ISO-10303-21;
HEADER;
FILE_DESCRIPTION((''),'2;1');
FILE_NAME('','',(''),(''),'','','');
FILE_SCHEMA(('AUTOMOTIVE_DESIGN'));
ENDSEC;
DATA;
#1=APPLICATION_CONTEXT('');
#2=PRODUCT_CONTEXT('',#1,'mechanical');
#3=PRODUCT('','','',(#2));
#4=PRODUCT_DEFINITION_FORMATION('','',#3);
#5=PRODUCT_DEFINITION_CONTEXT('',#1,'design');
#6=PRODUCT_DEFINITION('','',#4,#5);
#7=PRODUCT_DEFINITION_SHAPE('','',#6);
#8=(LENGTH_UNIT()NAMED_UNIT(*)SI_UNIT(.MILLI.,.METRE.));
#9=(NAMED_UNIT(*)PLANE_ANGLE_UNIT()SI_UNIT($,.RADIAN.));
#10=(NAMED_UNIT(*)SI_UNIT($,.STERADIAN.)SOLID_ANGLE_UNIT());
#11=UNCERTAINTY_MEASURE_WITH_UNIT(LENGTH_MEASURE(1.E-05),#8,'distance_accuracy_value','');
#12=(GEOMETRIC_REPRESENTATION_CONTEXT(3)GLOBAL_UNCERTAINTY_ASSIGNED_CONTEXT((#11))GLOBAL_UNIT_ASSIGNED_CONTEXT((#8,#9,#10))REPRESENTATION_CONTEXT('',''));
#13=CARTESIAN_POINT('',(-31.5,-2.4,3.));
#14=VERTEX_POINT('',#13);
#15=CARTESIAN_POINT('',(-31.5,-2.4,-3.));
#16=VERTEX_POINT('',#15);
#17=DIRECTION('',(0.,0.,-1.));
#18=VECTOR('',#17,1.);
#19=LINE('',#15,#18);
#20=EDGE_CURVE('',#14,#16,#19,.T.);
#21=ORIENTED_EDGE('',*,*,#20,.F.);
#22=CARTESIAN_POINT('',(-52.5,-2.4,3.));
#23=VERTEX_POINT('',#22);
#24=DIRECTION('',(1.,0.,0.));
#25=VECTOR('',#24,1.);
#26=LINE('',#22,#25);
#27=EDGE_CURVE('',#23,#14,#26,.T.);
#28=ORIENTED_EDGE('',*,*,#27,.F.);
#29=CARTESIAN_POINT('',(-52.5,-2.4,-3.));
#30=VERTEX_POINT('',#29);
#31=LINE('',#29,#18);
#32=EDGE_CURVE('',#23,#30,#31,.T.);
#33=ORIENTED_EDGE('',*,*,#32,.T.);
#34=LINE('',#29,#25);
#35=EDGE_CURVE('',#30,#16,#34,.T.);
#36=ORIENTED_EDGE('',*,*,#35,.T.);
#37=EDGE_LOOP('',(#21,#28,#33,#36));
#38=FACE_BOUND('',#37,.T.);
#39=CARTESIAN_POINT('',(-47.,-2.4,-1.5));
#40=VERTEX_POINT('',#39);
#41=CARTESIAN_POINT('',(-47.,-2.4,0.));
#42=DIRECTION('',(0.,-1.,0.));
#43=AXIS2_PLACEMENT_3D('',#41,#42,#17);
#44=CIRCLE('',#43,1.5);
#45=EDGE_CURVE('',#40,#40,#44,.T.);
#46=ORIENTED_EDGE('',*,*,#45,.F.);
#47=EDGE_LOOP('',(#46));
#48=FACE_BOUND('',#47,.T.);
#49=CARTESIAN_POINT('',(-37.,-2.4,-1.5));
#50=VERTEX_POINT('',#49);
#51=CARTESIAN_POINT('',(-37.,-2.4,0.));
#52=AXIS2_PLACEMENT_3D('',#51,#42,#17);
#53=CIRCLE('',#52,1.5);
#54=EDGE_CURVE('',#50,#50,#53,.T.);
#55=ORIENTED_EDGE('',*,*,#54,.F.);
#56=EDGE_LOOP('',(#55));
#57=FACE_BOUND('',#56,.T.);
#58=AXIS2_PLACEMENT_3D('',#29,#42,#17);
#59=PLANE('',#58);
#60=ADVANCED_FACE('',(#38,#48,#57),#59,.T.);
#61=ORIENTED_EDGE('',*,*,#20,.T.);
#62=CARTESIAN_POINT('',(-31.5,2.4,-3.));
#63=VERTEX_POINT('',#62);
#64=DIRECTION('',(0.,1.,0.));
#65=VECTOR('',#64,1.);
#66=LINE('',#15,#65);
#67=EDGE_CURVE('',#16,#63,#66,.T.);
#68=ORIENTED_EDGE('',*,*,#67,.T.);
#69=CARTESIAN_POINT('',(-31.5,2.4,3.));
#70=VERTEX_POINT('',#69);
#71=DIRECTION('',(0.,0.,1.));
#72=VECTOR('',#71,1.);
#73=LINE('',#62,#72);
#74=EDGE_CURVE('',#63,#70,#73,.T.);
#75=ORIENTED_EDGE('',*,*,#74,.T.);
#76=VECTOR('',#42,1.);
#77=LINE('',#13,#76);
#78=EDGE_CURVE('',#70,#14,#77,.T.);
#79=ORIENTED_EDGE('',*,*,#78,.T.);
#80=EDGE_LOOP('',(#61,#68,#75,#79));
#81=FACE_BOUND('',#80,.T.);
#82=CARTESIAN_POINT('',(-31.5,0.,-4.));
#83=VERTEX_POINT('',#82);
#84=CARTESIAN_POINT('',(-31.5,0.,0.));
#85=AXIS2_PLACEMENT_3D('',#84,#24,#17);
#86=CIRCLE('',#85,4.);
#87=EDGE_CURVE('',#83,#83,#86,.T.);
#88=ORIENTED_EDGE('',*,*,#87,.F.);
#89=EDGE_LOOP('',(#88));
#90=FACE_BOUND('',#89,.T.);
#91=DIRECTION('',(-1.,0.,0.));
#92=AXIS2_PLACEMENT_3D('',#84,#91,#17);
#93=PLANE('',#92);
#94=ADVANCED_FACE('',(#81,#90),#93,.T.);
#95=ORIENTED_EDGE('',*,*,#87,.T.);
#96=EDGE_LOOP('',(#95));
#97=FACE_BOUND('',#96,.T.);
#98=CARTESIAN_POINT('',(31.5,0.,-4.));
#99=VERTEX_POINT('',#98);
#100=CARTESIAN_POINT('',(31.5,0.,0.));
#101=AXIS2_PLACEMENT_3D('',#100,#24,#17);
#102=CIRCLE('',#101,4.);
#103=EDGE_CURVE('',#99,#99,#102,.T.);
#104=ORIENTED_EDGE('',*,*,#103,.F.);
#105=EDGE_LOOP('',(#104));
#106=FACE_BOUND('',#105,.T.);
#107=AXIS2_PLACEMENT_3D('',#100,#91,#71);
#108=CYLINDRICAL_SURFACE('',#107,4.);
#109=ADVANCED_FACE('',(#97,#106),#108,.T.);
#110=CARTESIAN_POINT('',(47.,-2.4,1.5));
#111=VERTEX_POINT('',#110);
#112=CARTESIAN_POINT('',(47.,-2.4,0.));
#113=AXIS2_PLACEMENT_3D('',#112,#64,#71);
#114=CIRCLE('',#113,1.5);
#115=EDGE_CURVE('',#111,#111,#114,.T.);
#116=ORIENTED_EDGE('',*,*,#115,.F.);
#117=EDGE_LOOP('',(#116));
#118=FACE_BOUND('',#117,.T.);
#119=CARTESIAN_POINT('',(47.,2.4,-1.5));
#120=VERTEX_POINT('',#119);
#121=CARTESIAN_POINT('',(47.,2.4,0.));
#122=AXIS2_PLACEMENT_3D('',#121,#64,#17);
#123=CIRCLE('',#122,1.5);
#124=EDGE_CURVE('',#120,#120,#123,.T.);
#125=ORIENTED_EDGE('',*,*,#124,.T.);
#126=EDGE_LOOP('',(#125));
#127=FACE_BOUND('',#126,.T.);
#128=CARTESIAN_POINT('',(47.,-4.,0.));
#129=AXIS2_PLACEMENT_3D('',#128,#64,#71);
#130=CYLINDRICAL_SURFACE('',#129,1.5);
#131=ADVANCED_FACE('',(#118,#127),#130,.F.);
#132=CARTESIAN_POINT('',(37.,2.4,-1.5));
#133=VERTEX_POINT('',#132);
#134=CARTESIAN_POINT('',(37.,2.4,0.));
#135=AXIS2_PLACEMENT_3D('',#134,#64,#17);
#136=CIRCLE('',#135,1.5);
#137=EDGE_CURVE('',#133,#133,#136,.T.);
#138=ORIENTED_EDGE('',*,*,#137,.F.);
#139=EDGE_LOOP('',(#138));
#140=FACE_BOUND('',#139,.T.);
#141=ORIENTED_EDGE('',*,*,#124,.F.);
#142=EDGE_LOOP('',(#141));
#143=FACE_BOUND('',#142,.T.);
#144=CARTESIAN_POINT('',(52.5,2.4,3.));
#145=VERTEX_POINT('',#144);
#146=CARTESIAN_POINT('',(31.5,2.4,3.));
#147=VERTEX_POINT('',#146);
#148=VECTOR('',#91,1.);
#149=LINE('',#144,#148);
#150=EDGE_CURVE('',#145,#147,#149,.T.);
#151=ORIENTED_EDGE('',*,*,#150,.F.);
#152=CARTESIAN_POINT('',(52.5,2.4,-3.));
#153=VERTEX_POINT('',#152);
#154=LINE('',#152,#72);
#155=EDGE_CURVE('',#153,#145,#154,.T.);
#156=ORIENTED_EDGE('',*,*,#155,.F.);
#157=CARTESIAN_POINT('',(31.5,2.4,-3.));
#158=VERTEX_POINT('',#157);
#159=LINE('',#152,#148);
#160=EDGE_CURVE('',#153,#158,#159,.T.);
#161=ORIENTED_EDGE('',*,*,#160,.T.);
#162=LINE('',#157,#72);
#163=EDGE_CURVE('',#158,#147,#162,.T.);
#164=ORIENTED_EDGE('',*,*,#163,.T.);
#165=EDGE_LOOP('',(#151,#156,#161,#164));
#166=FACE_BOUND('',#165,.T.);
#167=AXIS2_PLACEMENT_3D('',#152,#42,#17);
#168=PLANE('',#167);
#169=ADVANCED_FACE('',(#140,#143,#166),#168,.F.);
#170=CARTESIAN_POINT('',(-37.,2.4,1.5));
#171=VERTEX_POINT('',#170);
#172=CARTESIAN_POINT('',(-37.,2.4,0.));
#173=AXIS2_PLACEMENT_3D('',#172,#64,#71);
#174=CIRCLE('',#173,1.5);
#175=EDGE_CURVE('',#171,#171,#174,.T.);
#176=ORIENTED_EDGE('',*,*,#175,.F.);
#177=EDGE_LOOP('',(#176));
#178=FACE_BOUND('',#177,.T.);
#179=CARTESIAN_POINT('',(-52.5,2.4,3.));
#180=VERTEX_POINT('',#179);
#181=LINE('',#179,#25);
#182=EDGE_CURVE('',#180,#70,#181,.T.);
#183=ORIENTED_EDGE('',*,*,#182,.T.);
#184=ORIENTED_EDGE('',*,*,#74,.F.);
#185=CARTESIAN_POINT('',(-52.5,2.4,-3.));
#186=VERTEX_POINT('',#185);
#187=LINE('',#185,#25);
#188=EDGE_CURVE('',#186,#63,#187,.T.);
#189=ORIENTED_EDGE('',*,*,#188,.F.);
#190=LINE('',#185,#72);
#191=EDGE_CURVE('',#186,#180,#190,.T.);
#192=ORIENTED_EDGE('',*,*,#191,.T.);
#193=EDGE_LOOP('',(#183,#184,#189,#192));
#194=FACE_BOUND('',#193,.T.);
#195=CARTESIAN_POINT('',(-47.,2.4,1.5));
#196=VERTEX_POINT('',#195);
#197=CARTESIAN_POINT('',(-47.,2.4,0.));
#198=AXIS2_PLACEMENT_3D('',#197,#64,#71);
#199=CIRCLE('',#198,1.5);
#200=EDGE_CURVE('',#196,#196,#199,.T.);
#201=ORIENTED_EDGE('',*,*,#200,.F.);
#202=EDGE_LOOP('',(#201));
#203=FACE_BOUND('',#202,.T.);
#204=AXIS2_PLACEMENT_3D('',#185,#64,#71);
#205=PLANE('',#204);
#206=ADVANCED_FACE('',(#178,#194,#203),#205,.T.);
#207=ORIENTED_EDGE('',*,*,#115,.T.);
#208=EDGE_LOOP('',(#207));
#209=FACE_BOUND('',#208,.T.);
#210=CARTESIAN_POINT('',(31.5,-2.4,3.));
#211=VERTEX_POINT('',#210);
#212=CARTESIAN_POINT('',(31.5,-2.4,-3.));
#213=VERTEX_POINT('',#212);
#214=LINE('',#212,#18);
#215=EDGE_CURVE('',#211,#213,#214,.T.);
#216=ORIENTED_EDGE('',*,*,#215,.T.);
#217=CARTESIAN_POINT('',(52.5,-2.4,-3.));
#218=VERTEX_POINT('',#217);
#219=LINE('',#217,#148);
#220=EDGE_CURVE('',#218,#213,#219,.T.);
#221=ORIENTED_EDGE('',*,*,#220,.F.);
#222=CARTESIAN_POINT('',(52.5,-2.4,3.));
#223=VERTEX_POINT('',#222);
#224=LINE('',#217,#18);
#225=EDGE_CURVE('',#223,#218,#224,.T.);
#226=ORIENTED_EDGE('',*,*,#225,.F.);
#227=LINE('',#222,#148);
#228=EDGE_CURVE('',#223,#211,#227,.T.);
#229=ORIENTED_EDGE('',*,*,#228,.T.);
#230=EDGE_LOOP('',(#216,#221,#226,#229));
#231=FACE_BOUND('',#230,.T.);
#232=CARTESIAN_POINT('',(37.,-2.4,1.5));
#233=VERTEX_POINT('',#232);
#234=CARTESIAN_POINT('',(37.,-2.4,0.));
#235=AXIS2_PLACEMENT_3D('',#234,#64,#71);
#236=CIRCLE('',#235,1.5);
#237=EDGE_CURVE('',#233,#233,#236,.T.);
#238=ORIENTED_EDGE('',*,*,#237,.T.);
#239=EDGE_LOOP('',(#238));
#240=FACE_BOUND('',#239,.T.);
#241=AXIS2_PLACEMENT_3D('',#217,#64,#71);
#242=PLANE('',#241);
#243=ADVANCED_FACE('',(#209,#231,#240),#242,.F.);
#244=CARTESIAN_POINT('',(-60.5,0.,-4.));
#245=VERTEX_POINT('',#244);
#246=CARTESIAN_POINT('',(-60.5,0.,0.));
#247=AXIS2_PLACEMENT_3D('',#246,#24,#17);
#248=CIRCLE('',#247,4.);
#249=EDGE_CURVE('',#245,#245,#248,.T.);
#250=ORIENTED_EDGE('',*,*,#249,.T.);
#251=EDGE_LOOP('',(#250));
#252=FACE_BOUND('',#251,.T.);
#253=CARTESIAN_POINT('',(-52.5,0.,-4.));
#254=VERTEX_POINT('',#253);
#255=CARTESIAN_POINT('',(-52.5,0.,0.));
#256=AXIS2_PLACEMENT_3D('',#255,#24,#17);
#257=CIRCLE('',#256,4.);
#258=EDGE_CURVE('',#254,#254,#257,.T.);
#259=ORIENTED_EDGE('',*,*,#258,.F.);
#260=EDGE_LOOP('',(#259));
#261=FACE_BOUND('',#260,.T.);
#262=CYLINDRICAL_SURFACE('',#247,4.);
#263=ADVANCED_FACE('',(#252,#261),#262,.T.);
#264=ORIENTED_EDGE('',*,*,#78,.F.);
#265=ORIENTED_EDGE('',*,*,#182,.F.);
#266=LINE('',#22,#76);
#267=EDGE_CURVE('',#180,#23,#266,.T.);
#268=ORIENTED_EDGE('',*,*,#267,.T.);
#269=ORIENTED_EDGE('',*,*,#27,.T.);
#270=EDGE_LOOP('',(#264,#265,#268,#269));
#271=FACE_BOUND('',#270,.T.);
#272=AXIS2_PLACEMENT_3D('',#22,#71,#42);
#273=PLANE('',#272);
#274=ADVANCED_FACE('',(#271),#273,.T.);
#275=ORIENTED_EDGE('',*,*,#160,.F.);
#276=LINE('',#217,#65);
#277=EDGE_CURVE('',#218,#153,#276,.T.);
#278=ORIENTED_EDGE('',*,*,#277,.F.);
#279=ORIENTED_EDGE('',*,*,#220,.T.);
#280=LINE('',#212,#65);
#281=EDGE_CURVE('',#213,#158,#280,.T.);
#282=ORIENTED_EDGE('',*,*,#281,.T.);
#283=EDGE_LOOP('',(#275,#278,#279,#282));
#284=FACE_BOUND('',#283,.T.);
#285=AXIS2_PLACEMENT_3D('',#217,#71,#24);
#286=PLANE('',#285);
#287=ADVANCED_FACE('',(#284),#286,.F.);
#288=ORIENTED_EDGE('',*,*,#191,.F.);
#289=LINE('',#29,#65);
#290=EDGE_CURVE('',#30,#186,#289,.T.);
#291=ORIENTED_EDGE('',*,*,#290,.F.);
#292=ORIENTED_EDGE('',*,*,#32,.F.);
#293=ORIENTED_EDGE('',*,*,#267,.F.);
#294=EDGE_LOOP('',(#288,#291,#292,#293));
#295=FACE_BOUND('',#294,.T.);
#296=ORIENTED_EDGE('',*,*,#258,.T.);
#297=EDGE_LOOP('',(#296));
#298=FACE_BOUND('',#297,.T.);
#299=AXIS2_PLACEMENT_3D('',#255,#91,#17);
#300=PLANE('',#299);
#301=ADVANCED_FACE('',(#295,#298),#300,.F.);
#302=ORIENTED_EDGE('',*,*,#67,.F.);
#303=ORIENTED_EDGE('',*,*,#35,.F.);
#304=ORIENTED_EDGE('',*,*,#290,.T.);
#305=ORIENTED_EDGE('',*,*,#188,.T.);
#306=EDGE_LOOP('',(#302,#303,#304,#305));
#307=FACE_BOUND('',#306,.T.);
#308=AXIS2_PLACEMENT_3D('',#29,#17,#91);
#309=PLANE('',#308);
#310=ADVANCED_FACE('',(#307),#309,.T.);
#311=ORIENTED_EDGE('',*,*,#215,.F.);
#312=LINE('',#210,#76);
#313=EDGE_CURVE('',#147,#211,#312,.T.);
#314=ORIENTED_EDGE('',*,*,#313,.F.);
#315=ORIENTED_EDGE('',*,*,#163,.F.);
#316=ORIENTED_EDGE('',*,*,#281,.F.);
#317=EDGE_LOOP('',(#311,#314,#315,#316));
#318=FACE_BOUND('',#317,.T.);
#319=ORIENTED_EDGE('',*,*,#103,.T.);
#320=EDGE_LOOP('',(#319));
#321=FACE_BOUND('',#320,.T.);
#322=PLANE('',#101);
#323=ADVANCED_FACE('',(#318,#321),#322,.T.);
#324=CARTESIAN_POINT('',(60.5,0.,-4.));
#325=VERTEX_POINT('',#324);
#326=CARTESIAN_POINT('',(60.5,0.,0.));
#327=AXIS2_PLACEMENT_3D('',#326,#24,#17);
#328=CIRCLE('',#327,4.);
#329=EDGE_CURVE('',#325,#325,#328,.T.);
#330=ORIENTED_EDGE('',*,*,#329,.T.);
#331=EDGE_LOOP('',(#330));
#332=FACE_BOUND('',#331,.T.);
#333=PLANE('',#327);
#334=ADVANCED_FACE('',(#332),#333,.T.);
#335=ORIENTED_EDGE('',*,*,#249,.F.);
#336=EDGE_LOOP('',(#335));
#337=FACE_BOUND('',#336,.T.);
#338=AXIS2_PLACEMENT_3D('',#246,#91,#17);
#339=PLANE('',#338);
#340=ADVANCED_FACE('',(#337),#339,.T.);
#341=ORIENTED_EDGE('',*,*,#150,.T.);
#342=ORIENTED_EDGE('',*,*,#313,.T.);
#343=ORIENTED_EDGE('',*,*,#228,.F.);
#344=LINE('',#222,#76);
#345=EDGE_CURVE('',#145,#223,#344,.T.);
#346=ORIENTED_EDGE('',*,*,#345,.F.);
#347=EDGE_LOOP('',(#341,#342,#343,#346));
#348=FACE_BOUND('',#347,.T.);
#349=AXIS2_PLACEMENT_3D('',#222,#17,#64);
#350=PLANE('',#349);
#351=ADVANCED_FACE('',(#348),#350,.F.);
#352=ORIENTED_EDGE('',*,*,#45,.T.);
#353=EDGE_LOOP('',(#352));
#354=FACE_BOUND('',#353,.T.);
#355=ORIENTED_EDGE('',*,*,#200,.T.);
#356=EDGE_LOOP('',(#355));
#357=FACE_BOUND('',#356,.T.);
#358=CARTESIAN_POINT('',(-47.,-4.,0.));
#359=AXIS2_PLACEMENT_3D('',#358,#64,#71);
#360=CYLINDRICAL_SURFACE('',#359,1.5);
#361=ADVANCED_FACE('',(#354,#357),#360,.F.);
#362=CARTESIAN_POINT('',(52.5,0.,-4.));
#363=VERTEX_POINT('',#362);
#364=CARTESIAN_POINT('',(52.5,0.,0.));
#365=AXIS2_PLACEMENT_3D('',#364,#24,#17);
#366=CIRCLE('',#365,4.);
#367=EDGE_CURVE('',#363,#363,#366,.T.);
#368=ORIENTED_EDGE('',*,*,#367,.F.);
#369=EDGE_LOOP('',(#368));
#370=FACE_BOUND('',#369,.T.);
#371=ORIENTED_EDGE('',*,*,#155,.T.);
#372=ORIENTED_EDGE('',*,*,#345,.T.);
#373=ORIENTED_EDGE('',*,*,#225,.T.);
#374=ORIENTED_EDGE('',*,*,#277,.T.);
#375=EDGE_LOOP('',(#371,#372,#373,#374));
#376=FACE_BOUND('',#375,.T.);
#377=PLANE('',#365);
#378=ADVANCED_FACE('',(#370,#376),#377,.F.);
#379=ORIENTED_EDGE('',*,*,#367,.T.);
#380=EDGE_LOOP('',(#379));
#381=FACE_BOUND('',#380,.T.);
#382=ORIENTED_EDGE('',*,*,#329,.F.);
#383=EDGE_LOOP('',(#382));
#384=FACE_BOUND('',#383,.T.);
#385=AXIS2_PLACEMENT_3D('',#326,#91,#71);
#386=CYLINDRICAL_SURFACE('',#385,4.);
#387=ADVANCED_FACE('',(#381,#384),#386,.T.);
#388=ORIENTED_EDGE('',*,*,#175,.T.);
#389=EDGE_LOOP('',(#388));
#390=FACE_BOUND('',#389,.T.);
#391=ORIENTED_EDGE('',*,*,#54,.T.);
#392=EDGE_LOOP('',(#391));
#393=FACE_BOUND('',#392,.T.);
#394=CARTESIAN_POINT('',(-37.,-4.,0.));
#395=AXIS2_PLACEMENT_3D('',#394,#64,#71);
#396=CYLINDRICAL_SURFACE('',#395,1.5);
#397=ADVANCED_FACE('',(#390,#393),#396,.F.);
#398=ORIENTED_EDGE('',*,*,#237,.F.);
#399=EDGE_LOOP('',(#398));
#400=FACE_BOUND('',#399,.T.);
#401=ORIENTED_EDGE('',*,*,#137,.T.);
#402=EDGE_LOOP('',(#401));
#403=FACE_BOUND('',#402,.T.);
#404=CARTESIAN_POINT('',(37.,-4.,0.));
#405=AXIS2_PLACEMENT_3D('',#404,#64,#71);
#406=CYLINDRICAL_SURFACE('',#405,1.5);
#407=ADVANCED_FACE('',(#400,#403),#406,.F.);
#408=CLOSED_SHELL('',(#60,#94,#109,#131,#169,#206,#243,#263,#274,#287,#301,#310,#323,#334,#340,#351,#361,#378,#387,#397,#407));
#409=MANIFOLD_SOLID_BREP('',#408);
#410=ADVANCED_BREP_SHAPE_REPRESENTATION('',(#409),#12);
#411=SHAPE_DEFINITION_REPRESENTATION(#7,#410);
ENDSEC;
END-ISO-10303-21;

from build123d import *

# Parameters (mm, degrees)
SKETCH1_R           = 4
BOSS_EXTRUDE1_DEPTH = 31.5
SKETCH2_W           = 6
SKETCH2_H           = 4.8
BOSS_EXTRUDE2_DEPTH = 21
SKETCH3_R           = 4
BOSS_EXTRUDE3_DEPTH = 8
SKETCH4_R           = 1.5
CUT_EXTRUDE1_DEPTH  = 61.968926512


with BuildPart() as part:
    # Sketch1 → Boss-Extrude1 (new body)
    with BuildSketch(Plane(origin=(0, 0, 0), x_dir=(0, 0, -1), z_dir=(1, 0, 0))):
        Circle(SKETCH1_R)
    boss_extrude1 = extrude(amount=BOSS_EXTRUDE1_DEPTH)

    # Sketch2 → Boss-Extrude2 (add)
    with BuildSketch(Plane(origin=(31.5, 0, 0), x_dir=(0, 0, -1), z_dir=(1, 0, 0))):
        Rectangle(SKETCH2_W, SKETCH2_H)
    boss_extrude2 = extrude(amount=BOSS_EXTRUDE2_DEPTH)

    # Sketch3 → Boss-Extrude3 (add)
    with BuildSketch(Plane(origin=(52.5, 0, 0), x_dir=(0, 0, -1), z_dir=(1, 0, 0))):
        Circle(SKETCH3_R)
    boss_extrude3 = extrude(amount=BOSS_EXTRUDE3_DEPTH)

    # Mirror1: Boss-Extrude1, Boss-Extrude2, Boss-Extrude3 across plane
    add(boss_extrude1.mirror(Plane(origin=(0, 0, 0), x_dir=(0, 0, 1), z_dir=(1, 0, 0))))
    add(boss_extrude2.mirror(Plane(origin=(0, 0, 0), x_dir=(0, 0, 1), z_dir=(1, 0, 0))))
    add(boss_extrude3.mirror(Plane(origin=(0, 0, 0), x_dir=(0, 0, 1), z_dir=(1, 0, 0))))

    # Sketch4 → Cut-Extrude1 (cut, through all)
    with BuildSketch(Plane(origin=(0, 2.4, 0), x_dir=(1, 0, 0), z_dir=(0, 1, 0))):
        with Locations((-47, 0)):
            Circle(SKETCH4_R)
        with Locations((-37, 0)):
            Circle(SKETCH4_R)
        with Locations((47, 0)):
            Circle(SKETCH4_R)
        with Locations((37, 0)):
            Circle(SKETCH4_R)
    extrude(amount=-CUT_EXTRUDE1_DEPTH, mode=Mode.SUBTRACT)


solid = part.part
